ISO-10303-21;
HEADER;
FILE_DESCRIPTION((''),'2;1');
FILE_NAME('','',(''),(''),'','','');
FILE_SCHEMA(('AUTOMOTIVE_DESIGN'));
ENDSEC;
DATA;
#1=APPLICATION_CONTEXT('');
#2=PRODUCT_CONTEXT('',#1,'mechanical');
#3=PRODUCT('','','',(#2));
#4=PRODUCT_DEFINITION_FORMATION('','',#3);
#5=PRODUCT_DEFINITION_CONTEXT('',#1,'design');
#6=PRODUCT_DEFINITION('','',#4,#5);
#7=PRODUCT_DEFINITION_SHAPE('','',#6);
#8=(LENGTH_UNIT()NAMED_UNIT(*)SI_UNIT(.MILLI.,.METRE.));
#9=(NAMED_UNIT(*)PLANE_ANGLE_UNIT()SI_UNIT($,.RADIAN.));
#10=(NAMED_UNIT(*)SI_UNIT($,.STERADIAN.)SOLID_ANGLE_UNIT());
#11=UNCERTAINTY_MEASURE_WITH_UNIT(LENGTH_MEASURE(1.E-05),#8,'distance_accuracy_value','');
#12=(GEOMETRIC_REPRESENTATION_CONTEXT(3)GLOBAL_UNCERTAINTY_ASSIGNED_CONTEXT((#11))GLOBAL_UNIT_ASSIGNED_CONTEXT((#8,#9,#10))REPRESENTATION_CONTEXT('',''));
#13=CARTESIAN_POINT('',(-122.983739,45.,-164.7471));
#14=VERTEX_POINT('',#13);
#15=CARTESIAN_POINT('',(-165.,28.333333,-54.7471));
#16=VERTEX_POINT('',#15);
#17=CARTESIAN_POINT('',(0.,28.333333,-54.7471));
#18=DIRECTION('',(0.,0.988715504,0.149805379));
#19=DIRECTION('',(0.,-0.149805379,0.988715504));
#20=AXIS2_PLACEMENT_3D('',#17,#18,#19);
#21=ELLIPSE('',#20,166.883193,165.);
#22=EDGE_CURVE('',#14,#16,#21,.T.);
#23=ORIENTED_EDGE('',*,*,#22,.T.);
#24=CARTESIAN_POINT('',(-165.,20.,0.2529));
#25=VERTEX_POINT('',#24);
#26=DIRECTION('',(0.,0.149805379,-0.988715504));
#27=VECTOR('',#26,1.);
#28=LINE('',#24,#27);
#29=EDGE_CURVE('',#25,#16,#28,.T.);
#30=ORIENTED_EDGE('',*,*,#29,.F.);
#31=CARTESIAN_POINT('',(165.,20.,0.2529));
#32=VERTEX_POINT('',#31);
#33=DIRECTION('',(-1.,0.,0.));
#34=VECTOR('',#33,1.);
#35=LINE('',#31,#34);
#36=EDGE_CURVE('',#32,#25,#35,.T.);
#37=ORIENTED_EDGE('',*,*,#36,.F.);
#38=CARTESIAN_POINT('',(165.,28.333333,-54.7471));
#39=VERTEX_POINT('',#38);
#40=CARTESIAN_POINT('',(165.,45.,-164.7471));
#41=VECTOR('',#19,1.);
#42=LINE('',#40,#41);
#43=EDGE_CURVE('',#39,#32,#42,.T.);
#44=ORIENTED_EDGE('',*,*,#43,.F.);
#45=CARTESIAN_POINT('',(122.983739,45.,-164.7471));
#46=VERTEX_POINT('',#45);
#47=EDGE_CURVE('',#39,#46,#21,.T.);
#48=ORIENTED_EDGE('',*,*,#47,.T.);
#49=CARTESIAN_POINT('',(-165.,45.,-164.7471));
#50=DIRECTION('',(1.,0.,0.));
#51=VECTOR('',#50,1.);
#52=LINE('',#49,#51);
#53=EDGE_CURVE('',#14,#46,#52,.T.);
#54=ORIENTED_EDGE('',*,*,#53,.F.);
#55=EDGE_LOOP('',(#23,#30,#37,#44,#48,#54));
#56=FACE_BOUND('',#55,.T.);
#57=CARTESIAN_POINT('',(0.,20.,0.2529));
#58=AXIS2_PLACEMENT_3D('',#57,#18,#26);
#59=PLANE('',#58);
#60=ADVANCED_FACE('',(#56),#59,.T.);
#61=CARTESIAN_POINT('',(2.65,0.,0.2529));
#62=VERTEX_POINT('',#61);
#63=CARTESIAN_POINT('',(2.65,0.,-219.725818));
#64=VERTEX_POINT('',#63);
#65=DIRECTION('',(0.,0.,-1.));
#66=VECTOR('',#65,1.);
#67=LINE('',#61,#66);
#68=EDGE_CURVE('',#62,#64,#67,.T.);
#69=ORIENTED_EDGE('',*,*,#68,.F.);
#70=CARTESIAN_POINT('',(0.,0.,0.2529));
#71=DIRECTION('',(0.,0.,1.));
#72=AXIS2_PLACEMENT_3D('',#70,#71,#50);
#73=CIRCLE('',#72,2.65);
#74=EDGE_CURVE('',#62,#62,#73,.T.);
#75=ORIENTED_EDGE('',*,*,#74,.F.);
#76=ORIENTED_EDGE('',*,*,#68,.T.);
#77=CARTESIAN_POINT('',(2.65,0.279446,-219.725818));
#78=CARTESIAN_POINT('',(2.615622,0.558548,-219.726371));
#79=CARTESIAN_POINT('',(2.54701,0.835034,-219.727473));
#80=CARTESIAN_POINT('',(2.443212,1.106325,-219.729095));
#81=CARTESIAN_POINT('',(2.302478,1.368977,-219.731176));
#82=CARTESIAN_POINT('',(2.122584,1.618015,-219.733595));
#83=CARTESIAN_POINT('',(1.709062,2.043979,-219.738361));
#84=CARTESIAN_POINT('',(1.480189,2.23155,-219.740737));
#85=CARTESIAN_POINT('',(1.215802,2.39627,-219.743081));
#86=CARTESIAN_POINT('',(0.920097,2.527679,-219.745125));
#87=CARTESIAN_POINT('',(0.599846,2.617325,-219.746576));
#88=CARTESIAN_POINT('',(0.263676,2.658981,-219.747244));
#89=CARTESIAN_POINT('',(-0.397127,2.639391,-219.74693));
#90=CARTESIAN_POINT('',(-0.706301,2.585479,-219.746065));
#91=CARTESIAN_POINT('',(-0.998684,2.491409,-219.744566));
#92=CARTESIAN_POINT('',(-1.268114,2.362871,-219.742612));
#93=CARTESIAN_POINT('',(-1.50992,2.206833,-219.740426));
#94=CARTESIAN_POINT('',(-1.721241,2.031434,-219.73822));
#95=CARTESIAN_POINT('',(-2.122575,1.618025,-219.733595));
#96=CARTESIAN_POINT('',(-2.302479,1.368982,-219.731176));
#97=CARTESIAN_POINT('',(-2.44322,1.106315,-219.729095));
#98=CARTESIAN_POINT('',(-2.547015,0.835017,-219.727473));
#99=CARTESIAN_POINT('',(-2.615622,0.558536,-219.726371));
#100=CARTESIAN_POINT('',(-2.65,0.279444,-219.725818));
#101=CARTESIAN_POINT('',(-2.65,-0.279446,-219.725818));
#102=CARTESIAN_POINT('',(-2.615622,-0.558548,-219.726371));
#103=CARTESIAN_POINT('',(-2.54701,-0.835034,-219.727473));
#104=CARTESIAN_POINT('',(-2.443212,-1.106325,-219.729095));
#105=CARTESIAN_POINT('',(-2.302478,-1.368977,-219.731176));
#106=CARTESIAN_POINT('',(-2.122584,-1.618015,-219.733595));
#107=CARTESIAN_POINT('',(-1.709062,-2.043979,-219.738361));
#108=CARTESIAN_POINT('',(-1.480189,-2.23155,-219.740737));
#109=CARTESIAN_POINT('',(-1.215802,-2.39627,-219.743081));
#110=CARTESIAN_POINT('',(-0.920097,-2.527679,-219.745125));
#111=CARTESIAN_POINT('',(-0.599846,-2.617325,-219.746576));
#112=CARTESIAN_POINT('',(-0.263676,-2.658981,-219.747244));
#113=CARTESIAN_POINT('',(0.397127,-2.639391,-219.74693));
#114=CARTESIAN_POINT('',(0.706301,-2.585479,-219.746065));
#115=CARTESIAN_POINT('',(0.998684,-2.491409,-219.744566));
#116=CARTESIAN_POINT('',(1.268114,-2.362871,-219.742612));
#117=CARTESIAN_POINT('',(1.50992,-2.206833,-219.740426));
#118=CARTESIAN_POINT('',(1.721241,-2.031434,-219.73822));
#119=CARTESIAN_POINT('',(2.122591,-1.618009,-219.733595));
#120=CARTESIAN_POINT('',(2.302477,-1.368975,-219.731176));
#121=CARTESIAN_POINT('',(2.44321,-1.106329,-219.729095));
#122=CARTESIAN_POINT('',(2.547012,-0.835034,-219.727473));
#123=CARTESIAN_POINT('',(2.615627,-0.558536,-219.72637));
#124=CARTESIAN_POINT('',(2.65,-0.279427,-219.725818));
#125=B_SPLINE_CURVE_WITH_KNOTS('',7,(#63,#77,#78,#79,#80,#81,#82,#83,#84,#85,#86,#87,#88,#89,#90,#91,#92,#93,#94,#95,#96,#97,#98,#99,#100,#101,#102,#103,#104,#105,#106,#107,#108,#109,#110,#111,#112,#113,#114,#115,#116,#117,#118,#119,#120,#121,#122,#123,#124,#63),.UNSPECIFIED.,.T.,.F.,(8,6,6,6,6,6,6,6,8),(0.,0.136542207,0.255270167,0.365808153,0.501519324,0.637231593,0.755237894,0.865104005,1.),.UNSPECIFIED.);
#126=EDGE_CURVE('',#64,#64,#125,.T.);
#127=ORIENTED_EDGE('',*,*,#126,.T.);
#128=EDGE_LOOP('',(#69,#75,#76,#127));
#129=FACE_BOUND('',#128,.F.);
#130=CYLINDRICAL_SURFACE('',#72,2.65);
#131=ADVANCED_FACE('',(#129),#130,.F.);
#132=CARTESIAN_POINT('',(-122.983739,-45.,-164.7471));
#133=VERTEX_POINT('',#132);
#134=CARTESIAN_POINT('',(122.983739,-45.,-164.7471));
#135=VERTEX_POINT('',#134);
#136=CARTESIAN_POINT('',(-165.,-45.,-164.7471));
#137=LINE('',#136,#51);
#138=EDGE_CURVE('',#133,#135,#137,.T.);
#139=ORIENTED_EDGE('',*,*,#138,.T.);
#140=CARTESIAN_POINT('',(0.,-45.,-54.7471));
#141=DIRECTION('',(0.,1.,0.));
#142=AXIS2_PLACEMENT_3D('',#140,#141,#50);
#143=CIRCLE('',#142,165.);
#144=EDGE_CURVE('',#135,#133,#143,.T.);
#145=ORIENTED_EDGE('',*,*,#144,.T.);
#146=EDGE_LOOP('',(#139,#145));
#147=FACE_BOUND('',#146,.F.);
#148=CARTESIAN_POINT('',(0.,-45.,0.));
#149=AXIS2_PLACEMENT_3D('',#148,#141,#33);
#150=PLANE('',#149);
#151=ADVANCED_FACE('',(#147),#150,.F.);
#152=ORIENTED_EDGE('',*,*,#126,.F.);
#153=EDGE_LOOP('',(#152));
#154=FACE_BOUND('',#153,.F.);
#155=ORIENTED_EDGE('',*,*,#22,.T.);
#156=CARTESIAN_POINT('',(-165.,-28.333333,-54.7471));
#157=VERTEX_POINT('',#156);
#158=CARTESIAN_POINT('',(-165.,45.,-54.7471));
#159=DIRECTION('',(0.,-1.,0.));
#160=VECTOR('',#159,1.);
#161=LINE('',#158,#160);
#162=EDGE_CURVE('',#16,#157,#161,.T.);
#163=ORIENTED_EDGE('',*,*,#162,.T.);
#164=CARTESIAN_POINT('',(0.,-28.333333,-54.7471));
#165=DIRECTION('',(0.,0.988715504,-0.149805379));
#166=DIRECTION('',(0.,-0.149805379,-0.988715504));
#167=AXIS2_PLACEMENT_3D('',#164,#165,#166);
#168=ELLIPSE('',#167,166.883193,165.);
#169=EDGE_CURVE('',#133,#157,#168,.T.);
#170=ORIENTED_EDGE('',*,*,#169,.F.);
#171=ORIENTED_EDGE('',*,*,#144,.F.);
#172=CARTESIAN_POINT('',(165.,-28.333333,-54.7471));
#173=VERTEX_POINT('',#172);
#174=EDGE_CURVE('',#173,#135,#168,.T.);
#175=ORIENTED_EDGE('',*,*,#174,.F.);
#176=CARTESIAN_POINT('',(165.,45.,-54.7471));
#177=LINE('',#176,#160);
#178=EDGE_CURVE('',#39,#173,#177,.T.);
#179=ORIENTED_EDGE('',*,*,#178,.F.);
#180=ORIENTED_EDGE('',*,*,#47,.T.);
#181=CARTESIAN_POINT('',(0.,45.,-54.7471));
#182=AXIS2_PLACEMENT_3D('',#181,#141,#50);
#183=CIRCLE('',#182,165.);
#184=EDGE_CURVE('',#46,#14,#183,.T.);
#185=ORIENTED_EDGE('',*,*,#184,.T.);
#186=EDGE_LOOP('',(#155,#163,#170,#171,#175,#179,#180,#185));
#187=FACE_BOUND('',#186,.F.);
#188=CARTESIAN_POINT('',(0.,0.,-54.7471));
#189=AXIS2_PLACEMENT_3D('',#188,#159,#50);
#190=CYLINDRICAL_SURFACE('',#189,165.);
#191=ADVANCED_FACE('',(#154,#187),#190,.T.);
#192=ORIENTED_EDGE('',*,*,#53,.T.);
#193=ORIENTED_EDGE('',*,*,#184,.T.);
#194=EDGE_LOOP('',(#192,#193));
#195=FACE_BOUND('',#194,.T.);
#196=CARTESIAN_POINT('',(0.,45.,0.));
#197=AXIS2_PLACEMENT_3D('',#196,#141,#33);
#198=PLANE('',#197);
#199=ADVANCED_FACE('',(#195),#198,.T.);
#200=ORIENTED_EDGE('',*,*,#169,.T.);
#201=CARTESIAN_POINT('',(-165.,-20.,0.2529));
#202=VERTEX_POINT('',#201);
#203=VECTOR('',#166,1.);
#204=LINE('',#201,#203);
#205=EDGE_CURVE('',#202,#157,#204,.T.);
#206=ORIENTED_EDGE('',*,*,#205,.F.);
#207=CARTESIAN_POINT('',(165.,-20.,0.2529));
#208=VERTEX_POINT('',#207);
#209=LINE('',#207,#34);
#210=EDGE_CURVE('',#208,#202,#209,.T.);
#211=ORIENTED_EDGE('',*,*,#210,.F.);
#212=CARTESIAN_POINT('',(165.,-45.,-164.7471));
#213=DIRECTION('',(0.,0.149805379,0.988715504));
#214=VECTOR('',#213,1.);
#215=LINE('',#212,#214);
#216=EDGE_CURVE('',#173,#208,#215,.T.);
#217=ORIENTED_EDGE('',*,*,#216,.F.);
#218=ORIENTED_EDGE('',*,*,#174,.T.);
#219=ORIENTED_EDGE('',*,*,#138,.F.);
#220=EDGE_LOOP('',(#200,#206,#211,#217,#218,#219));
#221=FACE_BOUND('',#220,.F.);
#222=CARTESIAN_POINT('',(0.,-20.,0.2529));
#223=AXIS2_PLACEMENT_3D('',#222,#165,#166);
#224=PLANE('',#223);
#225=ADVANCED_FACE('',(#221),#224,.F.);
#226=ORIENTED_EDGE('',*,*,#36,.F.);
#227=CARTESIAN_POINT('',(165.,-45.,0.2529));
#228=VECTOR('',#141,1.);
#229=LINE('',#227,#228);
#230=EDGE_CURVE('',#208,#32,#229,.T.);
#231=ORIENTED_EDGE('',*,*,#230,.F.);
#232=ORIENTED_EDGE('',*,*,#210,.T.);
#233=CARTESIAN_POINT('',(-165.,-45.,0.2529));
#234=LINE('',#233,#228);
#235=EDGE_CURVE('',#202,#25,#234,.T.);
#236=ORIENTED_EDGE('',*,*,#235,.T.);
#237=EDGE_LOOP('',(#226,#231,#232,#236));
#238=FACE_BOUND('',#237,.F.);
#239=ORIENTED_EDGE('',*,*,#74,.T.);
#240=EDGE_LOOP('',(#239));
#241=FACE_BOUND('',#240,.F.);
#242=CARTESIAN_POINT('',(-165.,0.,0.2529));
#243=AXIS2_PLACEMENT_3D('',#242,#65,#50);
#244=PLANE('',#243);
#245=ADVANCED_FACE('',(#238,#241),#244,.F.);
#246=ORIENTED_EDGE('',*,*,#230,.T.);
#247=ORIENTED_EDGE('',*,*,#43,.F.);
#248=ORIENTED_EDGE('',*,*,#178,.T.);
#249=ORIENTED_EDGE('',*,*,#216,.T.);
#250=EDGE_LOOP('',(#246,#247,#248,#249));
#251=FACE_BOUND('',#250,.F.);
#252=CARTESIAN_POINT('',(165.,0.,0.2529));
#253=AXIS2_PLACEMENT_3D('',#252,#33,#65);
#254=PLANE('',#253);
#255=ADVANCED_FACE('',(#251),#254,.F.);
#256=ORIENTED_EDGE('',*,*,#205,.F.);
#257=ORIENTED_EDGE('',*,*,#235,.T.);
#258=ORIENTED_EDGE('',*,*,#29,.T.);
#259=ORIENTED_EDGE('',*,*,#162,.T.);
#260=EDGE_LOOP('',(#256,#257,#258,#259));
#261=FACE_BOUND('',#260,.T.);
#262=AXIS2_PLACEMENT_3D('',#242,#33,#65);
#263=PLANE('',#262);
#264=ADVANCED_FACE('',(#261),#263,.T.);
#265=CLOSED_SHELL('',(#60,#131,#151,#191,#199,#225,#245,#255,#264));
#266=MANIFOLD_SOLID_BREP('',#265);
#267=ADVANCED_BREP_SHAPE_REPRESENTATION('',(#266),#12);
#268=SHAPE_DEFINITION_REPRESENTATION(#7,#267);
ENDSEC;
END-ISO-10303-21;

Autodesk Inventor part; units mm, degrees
ref_plane "YZ Plane" through (0, 0, 0) normal (1, 0, 0) x (0, 1, 0)
ref_plane "XZ Plane" through (0, 0, 0) normal (0, 1, 0) x (-1, 0, 0)
ref_plane "XY Plane" through (0, 0, 0) normal (0, 0, 1) x (1, 0, 0)
sketch "Эскиз1" plane through (0, 0, 0) normal (0, 1, 0) x (-1, 0, 0)
  line L0 (165, 0.2529) -> (-165, 0.2529)
  line L1 (-165, 0.2529) -> (-165, -54.7471)
  line L2 (165, 0.2529) -> (165, -54.7471)
  arc A0 (-165, -54.7471) -> (165, -54.7471) centre (0, -54.7471) ccw
  point P0 (0, 0)
  dimension "d1" = 330
  dimension "d5" = 55
  dimension "d8" = 55
extrude "Выдавливание1" add sketch "Эскиз1" along normal mid plane 90
sketch "Эскиз2" plane through (0, 0, 0) normal (1, 0, 0) x (0, 1, 0)
  line L0 (-45, -54.7471) -> (45, -54.7471) projected
  line L1 (45, 0.2529) -> (45, -54.7471) projected
  line L2 (0, -101.1017) -> (0, -121.0064)
  line L3 (-20, -219.7471) -> (-45, -54.7471)
  line L4 (20, 0.2529) -> (45, -164.7471)
  line L5 (45, 0.2529) -> (20, 0.2529)
  line L6 (45, 0.2529) -> (45, -164.7471)
  line L7 (-45, 0.2529) -> (-45, -54.7471)
  line L8 (-20, 0.2529) -> (-45, -164.7471)
  line L9 (-45, 0.2529) -> (-20, 0.2529)
  line L10 (-45, 0.2529) -> (-45, -164.7471)
  point P0 (0, 0)
extrude "Выдавливание2" cut sketch "Эскиз2" along normal mid plane 330
sketch "Эскиз3" plane through (-165, -20, 0.2529) normal (0, 0, 1) x (1, 0, 0)
  circle A0 centre (165, 20) radius 2.65
  dimension "d14" = 5.3
extrude "Выдавливание3" cut sketch "Эскиз3" against normal up to surface
properties part number "Сыр"
